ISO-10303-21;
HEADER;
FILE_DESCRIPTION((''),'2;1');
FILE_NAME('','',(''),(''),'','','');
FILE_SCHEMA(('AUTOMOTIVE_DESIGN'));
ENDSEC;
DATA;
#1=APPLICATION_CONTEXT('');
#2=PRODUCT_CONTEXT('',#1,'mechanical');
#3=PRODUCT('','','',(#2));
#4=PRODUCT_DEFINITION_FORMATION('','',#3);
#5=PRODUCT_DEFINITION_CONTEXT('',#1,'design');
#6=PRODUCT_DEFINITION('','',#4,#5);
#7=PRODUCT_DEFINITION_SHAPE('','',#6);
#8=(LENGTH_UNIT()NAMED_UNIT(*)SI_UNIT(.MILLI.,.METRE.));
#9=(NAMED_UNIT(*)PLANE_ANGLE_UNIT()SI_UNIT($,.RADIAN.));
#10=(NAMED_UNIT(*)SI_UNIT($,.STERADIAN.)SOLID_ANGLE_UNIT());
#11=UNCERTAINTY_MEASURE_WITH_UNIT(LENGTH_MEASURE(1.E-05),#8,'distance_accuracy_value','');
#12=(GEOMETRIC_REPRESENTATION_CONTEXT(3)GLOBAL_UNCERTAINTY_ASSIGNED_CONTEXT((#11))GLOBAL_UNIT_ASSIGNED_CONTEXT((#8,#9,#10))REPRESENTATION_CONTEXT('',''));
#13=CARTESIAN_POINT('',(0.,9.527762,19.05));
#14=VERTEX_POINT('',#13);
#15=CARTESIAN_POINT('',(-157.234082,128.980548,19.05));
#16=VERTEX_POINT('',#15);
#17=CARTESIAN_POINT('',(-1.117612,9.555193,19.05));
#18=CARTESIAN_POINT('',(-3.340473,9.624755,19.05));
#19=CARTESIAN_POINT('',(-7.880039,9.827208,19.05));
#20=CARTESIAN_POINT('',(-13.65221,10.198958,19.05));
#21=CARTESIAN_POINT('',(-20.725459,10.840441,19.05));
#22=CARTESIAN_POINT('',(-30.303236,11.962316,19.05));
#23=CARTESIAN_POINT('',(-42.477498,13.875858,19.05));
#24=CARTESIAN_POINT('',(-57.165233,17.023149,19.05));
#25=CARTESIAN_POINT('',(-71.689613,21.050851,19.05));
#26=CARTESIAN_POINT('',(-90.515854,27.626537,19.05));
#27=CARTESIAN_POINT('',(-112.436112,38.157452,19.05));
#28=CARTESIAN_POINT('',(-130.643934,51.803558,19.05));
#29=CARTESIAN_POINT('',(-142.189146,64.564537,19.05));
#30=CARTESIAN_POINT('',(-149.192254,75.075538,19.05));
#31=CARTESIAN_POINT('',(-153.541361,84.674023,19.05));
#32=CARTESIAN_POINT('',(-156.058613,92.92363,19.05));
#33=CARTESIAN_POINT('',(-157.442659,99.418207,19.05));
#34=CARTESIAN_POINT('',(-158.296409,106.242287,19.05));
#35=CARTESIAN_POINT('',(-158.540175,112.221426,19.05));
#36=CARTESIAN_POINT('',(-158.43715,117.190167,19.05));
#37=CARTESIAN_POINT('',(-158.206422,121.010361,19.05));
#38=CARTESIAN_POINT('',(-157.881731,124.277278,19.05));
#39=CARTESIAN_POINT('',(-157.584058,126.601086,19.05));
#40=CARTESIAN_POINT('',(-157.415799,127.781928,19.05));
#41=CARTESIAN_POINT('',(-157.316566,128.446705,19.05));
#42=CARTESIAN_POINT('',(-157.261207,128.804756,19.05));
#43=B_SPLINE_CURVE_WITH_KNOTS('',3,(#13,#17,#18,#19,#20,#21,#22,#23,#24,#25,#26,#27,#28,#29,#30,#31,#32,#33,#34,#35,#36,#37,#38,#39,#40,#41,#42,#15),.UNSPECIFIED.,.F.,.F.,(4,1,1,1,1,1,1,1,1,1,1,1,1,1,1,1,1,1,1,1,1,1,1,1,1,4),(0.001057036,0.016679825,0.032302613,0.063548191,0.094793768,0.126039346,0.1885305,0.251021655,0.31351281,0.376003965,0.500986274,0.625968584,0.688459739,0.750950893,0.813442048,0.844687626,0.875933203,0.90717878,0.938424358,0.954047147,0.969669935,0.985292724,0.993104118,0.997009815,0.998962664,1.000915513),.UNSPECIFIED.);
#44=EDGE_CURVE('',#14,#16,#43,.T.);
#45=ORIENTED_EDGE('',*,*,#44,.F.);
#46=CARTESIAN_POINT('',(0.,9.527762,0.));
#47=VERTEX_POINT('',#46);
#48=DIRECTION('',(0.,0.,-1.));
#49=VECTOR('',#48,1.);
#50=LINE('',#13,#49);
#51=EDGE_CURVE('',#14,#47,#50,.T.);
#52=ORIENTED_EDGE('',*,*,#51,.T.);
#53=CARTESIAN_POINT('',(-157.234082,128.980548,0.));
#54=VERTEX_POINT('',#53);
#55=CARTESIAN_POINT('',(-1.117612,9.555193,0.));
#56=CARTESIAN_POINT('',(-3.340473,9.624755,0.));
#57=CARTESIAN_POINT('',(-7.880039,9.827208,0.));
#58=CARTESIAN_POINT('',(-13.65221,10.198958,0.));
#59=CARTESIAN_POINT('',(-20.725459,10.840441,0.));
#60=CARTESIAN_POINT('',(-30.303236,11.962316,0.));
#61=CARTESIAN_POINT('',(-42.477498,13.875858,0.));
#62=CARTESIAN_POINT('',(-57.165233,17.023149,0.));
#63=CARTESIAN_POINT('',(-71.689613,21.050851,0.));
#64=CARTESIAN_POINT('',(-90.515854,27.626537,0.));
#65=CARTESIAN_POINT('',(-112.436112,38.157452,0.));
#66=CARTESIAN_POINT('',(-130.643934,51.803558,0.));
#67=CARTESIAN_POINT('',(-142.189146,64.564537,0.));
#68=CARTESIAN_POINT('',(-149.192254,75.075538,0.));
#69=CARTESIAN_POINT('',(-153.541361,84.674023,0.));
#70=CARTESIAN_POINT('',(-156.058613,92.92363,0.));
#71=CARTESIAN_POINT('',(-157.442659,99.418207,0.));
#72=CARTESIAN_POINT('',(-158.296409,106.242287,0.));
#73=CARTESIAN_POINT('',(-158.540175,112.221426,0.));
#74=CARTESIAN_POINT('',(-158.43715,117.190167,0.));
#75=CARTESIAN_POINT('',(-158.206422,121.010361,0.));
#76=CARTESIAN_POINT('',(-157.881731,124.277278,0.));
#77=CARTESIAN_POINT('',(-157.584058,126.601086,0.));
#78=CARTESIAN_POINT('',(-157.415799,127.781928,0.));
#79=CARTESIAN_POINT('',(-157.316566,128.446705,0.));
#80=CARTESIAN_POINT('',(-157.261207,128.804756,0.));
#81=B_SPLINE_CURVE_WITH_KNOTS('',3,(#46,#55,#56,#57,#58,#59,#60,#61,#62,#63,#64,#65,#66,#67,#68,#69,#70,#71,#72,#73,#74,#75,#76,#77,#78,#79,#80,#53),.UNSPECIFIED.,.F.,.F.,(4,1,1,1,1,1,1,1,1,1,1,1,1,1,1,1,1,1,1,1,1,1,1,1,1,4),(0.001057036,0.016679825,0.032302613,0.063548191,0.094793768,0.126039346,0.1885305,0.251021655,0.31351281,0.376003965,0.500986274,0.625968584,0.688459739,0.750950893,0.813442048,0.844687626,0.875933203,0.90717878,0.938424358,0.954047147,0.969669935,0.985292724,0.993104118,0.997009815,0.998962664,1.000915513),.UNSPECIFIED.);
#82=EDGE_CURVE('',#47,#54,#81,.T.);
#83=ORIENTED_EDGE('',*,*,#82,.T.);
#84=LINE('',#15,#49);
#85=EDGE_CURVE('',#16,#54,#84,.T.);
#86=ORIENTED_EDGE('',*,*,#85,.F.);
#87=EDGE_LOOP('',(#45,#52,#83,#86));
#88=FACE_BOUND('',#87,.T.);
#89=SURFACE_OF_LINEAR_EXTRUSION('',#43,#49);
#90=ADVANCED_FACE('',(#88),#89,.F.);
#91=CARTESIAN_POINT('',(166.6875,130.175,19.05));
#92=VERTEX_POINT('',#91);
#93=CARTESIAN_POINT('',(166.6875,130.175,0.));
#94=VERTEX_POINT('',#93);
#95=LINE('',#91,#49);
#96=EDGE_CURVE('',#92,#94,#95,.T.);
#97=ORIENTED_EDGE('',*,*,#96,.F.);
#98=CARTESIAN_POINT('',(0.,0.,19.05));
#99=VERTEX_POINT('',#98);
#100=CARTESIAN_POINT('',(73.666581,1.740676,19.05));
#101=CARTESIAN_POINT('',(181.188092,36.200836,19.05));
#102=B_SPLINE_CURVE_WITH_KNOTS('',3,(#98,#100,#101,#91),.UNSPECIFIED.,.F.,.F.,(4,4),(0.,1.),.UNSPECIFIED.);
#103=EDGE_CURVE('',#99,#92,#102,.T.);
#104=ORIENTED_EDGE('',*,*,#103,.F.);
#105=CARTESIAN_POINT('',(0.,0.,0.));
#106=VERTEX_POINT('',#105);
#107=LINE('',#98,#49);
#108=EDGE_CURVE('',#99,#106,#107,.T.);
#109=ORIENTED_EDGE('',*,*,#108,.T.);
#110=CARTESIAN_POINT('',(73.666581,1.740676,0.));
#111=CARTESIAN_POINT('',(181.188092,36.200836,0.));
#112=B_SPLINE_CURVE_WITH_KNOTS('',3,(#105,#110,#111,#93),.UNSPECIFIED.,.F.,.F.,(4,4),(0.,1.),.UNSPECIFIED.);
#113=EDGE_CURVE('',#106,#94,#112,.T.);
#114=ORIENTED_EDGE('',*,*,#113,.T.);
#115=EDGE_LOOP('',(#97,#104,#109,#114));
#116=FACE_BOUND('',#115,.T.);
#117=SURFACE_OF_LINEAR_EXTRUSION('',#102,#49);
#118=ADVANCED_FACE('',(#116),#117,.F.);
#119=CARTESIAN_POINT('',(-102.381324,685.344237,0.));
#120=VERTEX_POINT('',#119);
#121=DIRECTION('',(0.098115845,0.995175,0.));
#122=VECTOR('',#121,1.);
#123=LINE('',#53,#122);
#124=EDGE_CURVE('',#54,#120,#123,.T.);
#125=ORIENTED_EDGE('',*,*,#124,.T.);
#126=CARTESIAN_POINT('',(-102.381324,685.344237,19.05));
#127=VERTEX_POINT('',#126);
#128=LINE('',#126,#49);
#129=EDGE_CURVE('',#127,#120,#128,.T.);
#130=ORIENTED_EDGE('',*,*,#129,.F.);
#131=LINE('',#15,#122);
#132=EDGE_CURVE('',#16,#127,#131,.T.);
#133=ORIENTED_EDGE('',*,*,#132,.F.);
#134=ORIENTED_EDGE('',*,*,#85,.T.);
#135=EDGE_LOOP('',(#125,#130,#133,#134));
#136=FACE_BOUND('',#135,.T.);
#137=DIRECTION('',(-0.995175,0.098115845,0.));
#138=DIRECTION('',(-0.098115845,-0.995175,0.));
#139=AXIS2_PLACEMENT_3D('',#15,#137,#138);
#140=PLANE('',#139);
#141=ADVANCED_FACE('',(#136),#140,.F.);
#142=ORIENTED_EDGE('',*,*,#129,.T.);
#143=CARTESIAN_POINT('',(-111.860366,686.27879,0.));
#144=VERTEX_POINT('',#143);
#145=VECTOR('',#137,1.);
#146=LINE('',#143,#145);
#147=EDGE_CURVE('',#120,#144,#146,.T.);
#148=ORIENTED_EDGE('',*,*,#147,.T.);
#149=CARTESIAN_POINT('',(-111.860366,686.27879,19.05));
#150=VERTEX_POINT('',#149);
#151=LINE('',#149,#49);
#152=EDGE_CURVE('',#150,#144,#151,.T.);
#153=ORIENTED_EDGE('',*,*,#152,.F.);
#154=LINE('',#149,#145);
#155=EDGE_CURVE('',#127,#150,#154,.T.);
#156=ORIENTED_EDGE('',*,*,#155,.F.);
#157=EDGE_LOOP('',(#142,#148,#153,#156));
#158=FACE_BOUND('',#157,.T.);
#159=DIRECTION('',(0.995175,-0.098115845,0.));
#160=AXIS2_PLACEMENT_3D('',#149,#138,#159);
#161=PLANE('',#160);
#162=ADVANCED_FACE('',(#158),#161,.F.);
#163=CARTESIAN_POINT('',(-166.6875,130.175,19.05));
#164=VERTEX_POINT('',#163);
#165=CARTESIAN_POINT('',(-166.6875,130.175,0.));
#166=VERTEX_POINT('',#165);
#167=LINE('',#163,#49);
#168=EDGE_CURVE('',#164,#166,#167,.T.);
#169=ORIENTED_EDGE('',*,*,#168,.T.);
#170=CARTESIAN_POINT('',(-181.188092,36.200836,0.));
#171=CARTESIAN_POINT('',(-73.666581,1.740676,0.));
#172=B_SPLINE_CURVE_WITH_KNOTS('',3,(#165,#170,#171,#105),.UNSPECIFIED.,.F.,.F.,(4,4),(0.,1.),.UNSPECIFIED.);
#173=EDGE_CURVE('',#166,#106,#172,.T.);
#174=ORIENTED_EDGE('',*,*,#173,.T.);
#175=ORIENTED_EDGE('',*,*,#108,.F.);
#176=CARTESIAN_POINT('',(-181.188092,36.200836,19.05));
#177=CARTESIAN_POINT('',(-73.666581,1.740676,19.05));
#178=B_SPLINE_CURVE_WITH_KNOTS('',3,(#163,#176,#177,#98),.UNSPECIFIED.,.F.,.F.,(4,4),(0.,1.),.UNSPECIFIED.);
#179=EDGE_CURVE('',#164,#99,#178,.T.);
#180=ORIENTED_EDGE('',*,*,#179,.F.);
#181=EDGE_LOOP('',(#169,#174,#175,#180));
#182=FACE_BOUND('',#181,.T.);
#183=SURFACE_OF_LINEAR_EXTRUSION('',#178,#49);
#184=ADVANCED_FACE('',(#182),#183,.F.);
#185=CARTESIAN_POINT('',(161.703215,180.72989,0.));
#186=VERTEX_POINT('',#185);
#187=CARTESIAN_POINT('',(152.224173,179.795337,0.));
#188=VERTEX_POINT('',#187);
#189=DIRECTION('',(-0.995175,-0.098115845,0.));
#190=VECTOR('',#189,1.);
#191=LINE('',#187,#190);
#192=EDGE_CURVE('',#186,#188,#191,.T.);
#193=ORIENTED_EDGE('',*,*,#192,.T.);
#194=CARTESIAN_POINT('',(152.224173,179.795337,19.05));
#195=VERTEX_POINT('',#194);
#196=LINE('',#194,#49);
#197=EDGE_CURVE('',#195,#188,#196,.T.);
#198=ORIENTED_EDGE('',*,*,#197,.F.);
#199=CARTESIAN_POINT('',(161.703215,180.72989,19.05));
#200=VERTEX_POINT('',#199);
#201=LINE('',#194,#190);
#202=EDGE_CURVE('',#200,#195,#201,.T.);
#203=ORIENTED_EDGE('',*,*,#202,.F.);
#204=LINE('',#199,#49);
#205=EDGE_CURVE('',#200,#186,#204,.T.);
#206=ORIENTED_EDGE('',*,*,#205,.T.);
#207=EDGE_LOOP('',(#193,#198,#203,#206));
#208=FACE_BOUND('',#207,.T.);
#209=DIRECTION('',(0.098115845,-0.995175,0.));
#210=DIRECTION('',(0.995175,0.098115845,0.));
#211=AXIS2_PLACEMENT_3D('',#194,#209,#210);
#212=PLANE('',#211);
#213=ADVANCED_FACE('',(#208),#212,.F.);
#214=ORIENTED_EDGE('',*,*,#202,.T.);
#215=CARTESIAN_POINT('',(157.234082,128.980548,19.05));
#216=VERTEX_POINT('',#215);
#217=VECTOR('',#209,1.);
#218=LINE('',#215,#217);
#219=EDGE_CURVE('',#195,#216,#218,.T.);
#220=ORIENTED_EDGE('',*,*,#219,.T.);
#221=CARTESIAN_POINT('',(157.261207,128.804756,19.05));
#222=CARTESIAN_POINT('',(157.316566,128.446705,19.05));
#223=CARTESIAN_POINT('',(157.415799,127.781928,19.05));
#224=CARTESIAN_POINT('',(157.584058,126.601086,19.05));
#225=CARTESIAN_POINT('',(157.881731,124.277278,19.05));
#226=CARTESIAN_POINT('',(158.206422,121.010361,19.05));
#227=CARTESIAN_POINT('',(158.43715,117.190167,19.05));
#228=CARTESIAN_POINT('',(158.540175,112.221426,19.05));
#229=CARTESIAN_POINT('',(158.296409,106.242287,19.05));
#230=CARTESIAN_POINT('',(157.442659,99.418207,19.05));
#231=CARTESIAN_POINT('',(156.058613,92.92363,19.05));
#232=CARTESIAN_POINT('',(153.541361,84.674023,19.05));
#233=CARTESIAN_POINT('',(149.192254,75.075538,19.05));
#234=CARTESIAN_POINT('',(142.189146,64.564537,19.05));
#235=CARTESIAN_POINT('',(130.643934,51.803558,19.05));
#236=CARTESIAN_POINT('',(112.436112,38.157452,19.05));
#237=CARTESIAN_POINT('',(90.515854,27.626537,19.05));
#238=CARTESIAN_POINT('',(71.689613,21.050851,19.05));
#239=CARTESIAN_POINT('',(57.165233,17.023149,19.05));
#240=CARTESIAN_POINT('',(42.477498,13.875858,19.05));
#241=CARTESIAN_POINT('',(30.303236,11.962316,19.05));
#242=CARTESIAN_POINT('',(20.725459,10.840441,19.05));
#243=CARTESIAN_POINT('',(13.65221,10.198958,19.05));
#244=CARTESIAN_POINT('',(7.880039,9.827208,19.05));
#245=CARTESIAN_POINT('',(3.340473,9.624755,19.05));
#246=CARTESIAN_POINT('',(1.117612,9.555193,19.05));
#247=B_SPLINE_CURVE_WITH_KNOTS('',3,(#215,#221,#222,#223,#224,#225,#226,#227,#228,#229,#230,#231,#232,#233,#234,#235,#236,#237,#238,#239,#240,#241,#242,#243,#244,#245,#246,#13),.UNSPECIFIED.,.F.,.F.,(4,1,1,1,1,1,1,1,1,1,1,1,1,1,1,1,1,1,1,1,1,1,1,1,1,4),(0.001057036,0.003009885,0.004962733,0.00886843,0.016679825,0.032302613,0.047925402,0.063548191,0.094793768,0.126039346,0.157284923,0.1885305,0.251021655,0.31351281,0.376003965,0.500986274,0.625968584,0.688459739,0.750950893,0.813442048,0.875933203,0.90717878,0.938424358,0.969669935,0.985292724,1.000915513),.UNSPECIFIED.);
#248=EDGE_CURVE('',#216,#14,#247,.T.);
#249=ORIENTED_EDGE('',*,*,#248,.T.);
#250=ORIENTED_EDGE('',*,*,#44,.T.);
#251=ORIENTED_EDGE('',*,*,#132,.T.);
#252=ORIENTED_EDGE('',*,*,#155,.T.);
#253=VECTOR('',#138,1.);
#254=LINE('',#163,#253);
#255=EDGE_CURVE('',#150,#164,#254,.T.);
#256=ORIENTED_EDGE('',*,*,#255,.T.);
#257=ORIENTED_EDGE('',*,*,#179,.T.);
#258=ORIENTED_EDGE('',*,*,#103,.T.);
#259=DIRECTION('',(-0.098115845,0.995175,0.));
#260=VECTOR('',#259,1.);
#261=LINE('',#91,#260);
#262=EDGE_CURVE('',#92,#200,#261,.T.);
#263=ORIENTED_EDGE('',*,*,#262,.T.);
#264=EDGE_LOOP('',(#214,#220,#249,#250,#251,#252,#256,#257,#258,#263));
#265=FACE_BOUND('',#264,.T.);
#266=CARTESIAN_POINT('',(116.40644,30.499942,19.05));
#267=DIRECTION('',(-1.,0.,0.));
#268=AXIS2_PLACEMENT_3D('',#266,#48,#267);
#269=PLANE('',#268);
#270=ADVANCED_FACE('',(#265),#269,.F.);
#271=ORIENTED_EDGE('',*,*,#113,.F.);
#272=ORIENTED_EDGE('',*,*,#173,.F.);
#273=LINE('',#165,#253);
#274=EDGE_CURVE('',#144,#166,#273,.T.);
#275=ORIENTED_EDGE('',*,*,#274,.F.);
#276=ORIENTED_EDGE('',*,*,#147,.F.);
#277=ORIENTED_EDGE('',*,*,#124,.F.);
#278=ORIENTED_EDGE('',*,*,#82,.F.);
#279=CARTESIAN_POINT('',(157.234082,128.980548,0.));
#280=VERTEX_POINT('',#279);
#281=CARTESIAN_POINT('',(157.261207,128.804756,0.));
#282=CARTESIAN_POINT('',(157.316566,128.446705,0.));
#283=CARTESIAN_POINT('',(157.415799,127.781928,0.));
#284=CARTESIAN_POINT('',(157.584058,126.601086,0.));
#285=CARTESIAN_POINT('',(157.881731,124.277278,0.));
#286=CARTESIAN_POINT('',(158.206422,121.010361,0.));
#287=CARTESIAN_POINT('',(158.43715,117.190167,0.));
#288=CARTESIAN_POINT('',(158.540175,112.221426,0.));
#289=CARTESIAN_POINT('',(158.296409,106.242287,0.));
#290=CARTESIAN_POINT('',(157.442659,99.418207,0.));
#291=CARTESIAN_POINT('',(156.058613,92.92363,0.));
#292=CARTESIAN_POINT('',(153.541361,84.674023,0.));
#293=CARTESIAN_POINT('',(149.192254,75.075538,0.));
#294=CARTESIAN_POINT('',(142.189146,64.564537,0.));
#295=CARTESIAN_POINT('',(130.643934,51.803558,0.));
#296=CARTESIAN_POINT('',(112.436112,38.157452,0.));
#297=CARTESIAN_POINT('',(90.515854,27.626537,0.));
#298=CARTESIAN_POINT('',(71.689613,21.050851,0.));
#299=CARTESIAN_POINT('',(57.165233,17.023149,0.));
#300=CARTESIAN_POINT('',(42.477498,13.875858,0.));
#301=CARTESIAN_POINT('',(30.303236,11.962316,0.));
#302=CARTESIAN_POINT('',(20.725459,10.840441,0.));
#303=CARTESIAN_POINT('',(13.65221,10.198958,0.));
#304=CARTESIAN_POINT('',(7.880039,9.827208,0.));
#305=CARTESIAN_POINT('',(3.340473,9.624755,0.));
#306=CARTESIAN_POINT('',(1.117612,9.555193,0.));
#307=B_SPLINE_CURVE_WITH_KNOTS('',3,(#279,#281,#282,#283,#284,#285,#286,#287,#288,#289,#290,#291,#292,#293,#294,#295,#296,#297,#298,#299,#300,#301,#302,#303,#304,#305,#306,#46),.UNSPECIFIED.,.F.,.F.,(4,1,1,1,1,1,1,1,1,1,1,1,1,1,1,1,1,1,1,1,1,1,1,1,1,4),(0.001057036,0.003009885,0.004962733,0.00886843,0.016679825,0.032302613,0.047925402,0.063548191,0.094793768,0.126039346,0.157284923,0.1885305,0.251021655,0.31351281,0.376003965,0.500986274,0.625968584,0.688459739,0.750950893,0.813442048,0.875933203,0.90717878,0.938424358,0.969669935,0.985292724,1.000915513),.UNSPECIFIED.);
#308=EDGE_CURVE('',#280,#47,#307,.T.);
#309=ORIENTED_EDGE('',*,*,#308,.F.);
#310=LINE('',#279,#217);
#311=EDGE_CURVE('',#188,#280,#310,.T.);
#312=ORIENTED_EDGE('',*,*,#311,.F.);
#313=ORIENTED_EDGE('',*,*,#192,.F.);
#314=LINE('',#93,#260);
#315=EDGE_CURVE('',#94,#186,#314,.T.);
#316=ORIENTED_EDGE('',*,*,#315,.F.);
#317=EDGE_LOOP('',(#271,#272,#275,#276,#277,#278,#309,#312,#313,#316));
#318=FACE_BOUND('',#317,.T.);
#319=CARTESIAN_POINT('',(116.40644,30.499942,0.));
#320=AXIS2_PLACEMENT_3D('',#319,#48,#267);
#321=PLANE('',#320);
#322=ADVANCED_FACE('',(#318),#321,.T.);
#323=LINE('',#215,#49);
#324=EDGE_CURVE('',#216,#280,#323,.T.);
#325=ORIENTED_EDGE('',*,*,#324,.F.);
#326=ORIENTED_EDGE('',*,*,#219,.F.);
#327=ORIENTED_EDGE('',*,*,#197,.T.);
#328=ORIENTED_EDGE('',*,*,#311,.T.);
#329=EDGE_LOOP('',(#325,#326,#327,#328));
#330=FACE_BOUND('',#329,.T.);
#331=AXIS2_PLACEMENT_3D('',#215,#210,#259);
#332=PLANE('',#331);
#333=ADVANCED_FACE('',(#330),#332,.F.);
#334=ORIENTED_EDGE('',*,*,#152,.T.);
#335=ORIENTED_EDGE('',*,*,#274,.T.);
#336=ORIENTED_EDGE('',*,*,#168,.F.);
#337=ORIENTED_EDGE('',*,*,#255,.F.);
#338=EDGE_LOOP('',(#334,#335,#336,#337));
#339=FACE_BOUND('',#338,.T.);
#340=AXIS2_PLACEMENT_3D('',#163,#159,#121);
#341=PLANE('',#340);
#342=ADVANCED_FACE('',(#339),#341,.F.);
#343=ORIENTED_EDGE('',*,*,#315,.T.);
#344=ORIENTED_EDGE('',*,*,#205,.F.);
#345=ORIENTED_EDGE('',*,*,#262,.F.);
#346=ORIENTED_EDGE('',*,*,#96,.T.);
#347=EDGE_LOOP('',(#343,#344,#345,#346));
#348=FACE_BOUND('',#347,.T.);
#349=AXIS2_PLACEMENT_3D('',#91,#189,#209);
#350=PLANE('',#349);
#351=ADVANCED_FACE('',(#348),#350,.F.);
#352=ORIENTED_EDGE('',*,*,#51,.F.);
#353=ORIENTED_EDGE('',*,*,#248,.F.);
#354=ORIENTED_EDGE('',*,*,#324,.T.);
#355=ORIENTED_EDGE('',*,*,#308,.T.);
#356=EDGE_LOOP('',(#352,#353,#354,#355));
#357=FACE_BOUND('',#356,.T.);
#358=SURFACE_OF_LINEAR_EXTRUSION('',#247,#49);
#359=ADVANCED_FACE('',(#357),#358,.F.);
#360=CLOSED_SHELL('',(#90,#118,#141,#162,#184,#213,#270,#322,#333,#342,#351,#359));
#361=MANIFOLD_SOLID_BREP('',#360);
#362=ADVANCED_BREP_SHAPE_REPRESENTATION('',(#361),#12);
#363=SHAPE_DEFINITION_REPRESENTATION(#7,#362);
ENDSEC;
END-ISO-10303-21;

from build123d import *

# Parameters (mm, degrees)
BOSS_EXTRUDE1_DEPTH = 19.05


with BuildPart() as part:
    # Sketch1 → Boss-Extrude1 (new body)
    with BuildSketch(Plane.XY):
        with BuildLine():
            Line((157.234081882, 128.980548454), (152.224173193, 179.795336584))
            Line((152.224173193, 179.795336584), (161.70321507, 180.729890008))
            Line((161.70321507, 180.729890008), (166.6875, 130.175))
            add(Edge.make_bspline(
                [(0, 0), (73.666580622, 1.740675992), (181.188092361, 36.200835609), (166.6875, 130.175)],
                knots=[0, 0, 0, 0, 1, 1, 1, 1], degree=3))
            add(Edge.make_bspline(
                [(0, 0), (-73.666580622, 1.740675992), (-181.188092361, 36.200835609), (-166.6875, 130.175)],
                knots=[0, 0, 0, 0, 1, 1, 1, 1], degree=3))
            Line((-166.6875, 130.175), (-111.860365766, 686.278790089))
            Line((-111.860365766, 686.278790089), (-102.381323889, 685.344236665))
            Line((-102.381323889, 685.344236665), (-157.234081882, 128.980548454))
            add(Edge.make_bspline(
                [(0, 9.52776174), (-1.117611602, 9.555193192), (-3.340472897, 9.624755056), (-7.880039481, 9.827207732), (-13.652210416, 10.198958437), (-20.725459036, 10.840441372), (-30.303235723, 11.962316267), (-42.47749757, 13.875858033), (-57.165232888, 17.02314898), (-71.689613059, 21.050850851), (-90.515854195, 27.626537064), (-112.436111514, 38.157452487), (-130.643933928, 51.803557723), (-142.189146149, 64.564536934), (-149.192253507, 75.075537554), (-153.541361304, 84.674022673), (-156.058613173, 92.923629982), (-157.442658539, 99.418206789), (-158.29640922, 106.242287005), (-158.540175044, 112.221426054), (-158.437150466, 117.190167219), (-158.20642164, 121.010360535), (-157.881730698, 124.277278241), (-157.584058118, 126.601085874), (-157.415798733, 127.781927866), (-157.316566229, 128.446705395), (-157.261207353, 128.804756083), (-157.234081882, 128.980548454)],
                knots=[0.001057036, 0.001057036, 0.001057036, 0.001057036, 0.016679825, 0.032302613, 0.063548191, 0.094793768, 0.126039346, 0.1885305, 0.251021655, 0.31351281, 0.376003965, 0.500986274, 0.625968584, 0.688459739, 0.750950893, 0.813442048, 0.844687626, 0.875933203, 0.90717878, 0.938424358, 0.954047147, 0.969669935, 0.985292724, 0.993104118, 0.997009815, 0.998962664, 1.000915513, 1.000915513, 1.000915513, 1.000915513], degree=3))
            add(Edge.make_bspline(
                [(157.234081882, 128.980548454), (157.261207353, 128.804756083), (157.316566229, 128.446705395), (157.415798733, 127.781927866), (157.584058118, 126.601085874), (157.881730698, 124.277278241), (158.20642164, 121.010360535), (158.437150466, 117.190167219), (158.540175044, 112.221426054), (158.29640922, 106.242287005), (157.442658539, 99.418206789), (156.058613173, 92.923629982), (153.541361304, 84.674022673), (149.192253507, 75.075537554), (142.189146149, 64.564536934), (130.643933928, 51.803557723), (112.436111514, 38.157452487), (90.515854195, 27.626537064), (71.689613059, 21.050850851), (57.165232888, 17.02314898), (42.47749757, 13.875858033), (30.303235723, 11.962316267), (20.725459036, 10.840441372), (13.652210416, 10.198958437), (7.880039481, 9.827207732), (3.340472897, 9.624755056), (1.117611602, 9.555193192), (0, 9.52776174)],
                knots=[0.001057036, 0.001057036, 0.001057036, 0.001057036, 0.003009885, 0.004962733, 0.00886843, 0.016679825, 0.032302613, 0.047925402, 0.063548191, 0.094793768, 0.126039346, 0.157284923, 0.1885305, 0.251021655, 0.31351281, 0.376003965, 0.500986274, 0.625968584, 0.688459739, 0.750950893, 0.813442048, 0.875933203, 0.90717878, 0.938424358, 0.969669935, 0.985292724, 1.000915513, 1.000915513, 1.000915513, 1.000915513], degree=3))
        make_face()
    extrude(amount=BOSS_EXTRUDE1_DEPTH)


solid = part.part
